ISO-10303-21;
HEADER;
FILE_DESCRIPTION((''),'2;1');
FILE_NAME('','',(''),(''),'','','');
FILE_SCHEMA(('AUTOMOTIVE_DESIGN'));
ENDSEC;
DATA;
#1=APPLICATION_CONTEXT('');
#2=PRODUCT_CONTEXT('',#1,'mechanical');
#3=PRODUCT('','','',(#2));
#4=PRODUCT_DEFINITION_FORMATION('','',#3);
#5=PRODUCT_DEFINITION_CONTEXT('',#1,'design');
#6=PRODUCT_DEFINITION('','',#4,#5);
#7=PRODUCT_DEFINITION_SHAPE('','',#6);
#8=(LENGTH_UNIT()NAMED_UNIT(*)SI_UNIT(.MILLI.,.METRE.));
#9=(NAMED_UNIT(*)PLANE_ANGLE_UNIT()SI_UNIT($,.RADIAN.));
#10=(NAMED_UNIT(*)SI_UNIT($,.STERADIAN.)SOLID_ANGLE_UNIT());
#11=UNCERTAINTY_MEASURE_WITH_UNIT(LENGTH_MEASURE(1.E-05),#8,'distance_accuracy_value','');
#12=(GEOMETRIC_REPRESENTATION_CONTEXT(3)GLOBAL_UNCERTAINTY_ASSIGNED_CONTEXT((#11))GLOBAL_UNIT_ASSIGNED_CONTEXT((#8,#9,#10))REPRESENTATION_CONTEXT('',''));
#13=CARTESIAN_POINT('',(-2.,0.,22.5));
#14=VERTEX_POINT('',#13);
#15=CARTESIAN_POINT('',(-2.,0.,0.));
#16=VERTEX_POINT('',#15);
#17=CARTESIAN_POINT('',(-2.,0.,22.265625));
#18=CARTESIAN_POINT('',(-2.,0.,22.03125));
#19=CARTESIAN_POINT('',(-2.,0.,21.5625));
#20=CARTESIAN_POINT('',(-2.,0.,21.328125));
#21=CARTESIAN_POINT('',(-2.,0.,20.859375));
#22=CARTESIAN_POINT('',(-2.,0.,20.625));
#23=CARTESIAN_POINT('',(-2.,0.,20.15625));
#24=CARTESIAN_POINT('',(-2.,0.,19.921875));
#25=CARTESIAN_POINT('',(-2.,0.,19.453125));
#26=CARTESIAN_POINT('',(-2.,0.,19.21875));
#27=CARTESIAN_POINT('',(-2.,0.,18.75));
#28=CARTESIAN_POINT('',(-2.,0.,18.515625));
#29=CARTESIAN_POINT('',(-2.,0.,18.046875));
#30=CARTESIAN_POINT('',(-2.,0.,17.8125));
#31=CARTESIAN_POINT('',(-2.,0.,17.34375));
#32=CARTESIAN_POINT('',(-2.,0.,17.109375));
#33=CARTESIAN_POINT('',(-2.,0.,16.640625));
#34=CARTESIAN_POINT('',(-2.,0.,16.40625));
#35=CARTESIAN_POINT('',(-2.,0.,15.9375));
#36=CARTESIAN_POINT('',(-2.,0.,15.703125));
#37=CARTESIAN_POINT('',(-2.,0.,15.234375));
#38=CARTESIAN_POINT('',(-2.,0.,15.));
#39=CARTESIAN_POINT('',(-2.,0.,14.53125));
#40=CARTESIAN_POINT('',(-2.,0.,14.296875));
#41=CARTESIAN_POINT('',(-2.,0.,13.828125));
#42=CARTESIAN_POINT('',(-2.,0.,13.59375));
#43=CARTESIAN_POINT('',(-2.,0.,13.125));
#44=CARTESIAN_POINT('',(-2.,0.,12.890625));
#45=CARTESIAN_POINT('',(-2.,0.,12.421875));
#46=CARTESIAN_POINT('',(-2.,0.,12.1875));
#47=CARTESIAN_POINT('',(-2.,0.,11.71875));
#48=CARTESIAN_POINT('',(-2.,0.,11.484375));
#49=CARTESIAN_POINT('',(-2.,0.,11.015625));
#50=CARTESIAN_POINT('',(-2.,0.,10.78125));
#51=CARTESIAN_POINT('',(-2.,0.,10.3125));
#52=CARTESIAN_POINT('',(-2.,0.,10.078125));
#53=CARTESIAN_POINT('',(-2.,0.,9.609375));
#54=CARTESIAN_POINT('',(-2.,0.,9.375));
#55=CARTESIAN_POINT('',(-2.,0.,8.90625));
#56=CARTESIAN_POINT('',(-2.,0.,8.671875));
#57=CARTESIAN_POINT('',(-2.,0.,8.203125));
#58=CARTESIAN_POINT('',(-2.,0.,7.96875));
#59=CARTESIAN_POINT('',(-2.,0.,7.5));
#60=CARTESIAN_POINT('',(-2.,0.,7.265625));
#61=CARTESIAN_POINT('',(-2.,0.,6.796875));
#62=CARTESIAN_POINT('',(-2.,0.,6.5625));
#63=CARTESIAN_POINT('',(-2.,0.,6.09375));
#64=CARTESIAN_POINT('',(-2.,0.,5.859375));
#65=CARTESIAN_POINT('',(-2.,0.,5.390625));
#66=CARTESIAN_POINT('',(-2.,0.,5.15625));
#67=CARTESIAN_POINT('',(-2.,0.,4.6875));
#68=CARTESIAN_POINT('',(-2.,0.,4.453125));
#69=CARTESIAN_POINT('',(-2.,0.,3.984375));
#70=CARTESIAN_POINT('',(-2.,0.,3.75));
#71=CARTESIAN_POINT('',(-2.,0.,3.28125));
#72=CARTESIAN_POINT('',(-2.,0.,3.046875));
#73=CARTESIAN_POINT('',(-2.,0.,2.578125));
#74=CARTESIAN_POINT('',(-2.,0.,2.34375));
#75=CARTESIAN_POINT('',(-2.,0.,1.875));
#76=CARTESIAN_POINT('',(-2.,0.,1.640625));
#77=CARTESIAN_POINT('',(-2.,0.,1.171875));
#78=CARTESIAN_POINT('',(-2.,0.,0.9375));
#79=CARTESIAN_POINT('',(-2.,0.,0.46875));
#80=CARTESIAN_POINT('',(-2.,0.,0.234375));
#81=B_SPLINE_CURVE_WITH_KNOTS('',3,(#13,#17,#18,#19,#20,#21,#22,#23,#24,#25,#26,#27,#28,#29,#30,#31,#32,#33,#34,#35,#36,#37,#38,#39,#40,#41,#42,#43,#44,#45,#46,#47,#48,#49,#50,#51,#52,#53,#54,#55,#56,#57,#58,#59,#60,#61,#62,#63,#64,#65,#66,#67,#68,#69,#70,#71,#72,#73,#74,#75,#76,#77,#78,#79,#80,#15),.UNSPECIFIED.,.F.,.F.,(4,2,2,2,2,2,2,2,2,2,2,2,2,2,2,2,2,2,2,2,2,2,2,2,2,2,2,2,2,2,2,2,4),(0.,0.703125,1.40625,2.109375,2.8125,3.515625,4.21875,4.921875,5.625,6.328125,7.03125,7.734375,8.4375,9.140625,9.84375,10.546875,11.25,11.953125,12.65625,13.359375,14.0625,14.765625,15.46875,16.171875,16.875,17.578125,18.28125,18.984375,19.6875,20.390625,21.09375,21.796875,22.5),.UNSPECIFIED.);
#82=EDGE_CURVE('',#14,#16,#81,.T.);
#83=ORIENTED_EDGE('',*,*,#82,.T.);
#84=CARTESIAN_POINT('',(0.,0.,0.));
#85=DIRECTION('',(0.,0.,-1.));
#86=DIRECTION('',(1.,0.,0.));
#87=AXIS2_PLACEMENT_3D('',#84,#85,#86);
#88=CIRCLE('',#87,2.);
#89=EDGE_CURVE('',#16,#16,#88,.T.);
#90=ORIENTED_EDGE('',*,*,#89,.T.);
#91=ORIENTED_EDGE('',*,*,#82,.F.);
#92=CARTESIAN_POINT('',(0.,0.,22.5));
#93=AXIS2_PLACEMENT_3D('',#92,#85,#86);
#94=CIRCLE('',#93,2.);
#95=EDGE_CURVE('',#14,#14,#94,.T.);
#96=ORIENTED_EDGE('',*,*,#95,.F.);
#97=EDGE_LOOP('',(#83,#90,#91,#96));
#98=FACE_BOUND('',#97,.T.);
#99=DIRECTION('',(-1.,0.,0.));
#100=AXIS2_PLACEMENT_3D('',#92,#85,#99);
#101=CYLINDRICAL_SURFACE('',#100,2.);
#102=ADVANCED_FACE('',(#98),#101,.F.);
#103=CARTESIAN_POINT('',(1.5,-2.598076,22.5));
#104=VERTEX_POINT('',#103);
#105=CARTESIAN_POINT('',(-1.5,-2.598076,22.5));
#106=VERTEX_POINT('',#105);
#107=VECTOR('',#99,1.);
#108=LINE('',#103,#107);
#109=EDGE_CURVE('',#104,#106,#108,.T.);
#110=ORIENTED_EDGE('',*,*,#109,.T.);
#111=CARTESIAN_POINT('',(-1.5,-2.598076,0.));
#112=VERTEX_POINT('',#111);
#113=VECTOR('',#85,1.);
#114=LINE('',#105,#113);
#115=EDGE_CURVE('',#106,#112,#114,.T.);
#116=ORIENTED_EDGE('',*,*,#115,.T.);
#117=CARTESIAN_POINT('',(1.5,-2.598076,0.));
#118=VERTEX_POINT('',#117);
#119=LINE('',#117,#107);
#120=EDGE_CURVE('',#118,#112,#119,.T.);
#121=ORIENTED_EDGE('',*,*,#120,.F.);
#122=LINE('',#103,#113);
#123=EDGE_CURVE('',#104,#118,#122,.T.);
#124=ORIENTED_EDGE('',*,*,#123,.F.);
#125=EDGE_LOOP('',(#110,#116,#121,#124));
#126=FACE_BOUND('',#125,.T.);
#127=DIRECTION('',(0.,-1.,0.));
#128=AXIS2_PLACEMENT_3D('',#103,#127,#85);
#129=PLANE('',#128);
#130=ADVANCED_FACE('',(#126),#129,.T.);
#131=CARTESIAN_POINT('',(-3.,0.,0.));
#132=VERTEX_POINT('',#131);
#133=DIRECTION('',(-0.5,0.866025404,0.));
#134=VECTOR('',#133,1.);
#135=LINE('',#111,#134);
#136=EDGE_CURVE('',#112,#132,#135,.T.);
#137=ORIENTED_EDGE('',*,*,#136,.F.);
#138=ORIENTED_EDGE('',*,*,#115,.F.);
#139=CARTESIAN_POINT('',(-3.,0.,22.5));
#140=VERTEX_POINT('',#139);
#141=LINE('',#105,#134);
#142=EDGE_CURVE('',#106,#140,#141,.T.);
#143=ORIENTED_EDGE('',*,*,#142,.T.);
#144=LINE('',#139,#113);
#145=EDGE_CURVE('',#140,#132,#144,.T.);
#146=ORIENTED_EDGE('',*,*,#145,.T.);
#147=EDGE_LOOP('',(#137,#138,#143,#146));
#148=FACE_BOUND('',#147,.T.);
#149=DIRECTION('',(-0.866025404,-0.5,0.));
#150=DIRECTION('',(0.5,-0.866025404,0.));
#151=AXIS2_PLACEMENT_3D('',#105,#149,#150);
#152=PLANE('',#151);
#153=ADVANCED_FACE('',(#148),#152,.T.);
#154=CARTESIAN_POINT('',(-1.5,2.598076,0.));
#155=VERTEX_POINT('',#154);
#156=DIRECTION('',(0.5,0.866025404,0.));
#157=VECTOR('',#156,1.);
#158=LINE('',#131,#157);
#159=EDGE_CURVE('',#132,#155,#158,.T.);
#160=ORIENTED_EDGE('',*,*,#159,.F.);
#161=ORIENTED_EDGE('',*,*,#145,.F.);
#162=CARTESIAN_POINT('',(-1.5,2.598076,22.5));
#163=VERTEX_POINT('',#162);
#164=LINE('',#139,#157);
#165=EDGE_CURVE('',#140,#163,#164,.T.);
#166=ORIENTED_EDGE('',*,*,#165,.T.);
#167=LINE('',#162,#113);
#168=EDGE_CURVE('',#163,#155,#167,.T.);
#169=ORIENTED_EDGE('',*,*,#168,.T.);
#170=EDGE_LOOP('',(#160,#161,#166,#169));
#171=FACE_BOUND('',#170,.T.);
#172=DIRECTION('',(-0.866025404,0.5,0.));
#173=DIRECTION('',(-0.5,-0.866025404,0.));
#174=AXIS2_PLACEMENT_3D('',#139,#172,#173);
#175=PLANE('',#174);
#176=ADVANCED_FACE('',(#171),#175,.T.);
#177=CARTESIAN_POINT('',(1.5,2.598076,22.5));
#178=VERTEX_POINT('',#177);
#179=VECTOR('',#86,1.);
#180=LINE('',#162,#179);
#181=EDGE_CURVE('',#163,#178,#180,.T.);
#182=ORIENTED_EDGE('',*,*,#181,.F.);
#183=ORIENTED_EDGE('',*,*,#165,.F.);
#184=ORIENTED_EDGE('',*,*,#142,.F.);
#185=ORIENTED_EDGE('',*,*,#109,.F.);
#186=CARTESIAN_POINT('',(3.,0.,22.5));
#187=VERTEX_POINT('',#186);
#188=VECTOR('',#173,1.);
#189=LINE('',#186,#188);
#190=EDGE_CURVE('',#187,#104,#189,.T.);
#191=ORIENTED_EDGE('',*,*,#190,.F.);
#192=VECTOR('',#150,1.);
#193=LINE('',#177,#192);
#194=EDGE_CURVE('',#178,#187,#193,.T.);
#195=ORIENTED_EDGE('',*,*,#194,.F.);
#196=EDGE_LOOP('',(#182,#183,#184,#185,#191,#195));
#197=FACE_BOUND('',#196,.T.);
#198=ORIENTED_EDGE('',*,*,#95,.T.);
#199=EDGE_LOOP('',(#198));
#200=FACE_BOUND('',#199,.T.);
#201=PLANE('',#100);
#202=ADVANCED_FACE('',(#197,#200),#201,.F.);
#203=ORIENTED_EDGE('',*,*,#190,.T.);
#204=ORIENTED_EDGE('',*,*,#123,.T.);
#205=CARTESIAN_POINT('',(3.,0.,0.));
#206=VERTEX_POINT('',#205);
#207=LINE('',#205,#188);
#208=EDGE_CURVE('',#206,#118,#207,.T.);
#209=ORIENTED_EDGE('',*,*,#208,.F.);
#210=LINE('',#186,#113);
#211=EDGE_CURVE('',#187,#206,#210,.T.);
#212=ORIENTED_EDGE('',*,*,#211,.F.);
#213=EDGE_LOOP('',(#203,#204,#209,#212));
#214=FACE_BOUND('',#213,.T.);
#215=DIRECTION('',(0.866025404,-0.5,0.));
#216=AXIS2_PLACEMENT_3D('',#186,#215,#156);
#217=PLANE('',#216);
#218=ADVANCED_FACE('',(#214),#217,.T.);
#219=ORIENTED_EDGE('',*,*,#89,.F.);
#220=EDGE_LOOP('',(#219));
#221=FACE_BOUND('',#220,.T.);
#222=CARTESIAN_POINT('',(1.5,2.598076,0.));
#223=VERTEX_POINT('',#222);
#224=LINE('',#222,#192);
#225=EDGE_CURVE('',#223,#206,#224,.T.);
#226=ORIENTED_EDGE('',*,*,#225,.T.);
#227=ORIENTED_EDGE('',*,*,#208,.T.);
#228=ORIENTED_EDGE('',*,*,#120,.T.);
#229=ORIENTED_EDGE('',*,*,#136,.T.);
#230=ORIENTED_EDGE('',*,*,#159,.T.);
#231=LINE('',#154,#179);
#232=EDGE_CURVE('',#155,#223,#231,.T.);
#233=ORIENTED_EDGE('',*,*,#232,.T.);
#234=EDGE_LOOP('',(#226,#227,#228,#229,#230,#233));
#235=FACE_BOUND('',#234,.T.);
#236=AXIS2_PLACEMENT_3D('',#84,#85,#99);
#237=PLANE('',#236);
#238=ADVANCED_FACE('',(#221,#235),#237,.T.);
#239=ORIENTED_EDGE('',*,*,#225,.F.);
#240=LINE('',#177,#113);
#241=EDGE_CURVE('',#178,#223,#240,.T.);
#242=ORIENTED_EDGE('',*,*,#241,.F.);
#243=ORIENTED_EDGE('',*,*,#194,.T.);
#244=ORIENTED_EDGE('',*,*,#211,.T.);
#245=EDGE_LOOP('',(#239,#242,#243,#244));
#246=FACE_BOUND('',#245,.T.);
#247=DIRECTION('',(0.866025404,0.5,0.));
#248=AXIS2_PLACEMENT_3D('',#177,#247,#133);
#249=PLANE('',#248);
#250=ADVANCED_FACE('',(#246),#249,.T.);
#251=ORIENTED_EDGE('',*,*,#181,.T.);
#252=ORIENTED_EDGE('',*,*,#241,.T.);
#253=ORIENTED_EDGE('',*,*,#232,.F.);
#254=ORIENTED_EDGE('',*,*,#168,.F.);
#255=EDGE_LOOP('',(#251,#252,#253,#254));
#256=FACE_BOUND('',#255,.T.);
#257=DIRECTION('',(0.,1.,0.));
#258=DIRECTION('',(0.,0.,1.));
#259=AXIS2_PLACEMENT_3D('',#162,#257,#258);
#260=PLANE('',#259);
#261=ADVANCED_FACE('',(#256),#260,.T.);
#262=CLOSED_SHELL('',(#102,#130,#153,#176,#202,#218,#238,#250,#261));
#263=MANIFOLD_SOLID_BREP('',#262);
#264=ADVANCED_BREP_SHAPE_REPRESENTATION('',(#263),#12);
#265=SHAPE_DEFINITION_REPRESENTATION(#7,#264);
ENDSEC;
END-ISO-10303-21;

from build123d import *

# Parameters (mm, degrees)
SKETCH_1_R      = 2
EXTRUDE_1_DEPTH = 22.5


with BuildPart() as part:
    # 草图1 → 凸台-拉伸1 (new body)
    with BuildSketch(Plane(origin=(0, 0, 0), x_dir=(-1, 0, 0), z_dir=(0, 0, -1))):
        Polygon((1.5, -2.598076211), (3, 0), (1.5, 2.598076211), (-1.5, 2.598076211), (-3, 0), (-1.5, -2.598076211), align=None)
        Circle(SKETCH_1_R, mode=Mode.SUBTRACT)
    extrude(amount=-EXTRUDE_1_DEPTH)


solid = part.part
